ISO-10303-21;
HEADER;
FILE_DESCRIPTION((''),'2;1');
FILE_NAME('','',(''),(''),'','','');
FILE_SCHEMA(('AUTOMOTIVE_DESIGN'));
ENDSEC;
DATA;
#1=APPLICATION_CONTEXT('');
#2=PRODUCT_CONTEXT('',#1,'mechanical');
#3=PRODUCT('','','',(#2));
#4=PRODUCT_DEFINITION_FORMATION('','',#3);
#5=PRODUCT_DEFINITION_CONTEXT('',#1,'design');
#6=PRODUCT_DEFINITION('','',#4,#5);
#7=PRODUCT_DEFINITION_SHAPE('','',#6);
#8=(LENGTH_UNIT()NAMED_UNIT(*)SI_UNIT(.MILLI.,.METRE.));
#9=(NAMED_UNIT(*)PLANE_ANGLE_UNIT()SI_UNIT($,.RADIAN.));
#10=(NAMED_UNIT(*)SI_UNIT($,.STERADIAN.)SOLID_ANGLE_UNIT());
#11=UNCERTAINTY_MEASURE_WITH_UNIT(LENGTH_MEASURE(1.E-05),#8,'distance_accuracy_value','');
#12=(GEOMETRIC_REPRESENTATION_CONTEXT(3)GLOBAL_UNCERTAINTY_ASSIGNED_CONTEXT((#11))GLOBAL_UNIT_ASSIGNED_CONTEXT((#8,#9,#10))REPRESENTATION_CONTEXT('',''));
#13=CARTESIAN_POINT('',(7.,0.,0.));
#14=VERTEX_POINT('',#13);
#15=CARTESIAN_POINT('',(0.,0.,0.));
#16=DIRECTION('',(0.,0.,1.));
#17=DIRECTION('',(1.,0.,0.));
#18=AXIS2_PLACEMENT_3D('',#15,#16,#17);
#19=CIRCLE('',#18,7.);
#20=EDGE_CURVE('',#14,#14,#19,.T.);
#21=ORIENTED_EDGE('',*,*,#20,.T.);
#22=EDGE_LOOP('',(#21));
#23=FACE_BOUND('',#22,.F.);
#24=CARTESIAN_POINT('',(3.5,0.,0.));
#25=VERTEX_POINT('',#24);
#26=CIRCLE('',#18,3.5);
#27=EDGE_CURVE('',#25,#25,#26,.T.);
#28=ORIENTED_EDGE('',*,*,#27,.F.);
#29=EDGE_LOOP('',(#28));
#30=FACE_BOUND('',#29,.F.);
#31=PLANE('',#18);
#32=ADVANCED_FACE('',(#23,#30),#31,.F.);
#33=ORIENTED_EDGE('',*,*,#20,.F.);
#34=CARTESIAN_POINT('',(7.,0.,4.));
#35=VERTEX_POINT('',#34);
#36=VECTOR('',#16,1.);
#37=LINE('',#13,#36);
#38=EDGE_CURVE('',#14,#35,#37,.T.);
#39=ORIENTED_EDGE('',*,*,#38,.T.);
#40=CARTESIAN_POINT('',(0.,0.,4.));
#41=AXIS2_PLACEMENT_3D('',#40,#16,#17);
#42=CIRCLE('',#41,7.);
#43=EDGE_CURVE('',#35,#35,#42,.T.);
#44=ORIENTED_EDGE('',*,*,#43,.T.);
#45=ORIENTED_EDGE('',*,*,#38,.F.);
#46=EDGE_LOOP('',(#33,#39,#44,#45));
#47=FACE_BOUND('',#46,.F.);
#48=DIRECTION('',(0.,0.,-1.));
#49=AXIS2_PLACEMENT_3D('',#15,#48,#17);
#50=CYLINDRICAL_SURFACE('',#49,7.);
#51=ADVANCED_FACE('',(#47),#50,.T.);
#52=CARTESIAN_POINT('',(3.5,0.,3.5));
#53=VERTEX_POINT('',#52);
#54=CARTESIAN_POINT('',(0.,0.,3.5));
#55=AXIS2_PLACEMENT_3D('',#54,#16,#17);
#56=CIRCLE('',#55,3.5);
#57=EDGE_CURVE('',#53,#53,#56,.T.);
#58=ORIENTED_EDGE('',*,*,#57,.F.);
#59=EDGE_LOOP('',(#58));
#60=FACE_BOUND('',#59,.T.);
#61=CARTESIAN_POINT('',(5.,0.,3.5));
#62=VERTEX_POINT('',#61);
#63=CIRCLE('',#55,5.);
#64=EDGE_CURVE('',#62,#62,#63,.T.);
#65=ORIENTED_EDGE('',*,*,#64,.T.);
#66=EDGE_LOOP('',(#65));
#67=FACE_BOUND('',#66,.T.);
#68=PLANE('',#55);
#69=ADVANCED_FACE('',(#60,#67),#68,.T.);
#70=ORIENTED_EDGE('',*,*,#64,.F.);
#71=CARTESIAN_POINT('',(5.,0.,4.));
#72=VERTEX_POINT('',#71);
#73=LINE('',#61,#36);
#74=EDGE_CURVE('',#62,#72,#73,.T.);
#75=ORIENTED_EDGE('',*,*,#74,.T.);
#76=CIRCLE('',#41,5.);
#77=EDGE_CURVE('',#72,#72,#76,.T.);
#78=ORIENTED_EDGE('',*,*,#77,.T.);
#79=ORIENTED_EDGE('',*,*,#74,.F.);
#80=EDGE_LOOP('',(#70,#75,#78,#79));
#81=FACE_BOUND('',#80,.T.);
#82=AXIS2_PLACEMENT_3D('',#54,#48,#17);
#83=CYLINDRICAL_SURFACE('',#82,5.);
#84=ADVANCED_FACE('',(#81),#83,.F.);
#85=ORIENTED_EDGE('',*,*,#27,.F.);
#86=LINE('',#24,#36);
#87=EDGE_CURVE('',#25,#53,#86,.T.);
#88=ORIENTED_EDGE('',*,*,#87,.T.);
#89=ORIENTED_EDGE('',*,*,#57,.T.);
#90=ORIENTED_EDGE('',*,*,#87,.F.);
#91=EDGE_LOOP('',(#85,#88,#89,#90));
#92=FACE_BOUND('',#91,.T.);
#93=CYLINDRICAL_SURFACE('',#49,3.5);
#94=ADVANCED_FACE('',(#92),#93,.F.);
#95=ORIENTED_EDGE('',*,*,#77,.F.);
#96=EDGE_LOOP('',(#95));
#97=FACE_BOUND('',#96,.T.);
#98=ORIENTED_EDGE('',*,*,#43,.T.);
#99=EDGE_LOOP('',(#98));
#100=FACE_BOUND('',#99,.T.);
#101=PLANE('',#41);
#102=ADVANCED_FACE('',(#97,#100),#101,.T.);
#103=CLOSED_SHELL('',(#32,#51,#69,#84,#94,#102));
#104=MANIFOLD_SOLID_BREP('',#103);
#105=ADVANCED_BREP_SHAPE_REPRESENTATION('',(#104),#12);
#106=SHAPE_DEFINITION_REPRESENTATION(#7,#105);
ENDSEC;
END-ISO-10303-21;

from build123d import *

# Parameters (mm, degrees)
SKETCH1_R           = 7
SKETCH1_R_2         = 3.5
BOSS_EXTRUDE1_DEPTH = 4
CUT_EXTRUDE1_START  = -0.5
SKETCH2_R           = 5
SKETCH2_R_2         = 3.5
CUT_EXTRUDE1_DEPTH  = 0.5


with BuildPart() as part:
    # Sketch1 → Boss-Extrude1 (new body)
    with BuildSketch(Plane.XY):
        Circle(SKETCH1_R)
        Circle(SKETCH1_R_2, mode=Mode.SUBTRACT)
    extrude(amount=BOSS_EXTRUDE1_DEPTH)

    # Sketch2 → Cut-Extrude1 (cut)
    with BuildSketch(Plane.XY.offset(4).offset(CUT_EXTRUDE1_START)):
        Circle(SKETCH2_R)
        Circle(SKETCH2_R_2, mode=Mode.SUBTRACT)
    extrude(amount=CUT_EXTRUDE1_DEPTH, mode=Mode.SUBTRACT)


solid = part.part
